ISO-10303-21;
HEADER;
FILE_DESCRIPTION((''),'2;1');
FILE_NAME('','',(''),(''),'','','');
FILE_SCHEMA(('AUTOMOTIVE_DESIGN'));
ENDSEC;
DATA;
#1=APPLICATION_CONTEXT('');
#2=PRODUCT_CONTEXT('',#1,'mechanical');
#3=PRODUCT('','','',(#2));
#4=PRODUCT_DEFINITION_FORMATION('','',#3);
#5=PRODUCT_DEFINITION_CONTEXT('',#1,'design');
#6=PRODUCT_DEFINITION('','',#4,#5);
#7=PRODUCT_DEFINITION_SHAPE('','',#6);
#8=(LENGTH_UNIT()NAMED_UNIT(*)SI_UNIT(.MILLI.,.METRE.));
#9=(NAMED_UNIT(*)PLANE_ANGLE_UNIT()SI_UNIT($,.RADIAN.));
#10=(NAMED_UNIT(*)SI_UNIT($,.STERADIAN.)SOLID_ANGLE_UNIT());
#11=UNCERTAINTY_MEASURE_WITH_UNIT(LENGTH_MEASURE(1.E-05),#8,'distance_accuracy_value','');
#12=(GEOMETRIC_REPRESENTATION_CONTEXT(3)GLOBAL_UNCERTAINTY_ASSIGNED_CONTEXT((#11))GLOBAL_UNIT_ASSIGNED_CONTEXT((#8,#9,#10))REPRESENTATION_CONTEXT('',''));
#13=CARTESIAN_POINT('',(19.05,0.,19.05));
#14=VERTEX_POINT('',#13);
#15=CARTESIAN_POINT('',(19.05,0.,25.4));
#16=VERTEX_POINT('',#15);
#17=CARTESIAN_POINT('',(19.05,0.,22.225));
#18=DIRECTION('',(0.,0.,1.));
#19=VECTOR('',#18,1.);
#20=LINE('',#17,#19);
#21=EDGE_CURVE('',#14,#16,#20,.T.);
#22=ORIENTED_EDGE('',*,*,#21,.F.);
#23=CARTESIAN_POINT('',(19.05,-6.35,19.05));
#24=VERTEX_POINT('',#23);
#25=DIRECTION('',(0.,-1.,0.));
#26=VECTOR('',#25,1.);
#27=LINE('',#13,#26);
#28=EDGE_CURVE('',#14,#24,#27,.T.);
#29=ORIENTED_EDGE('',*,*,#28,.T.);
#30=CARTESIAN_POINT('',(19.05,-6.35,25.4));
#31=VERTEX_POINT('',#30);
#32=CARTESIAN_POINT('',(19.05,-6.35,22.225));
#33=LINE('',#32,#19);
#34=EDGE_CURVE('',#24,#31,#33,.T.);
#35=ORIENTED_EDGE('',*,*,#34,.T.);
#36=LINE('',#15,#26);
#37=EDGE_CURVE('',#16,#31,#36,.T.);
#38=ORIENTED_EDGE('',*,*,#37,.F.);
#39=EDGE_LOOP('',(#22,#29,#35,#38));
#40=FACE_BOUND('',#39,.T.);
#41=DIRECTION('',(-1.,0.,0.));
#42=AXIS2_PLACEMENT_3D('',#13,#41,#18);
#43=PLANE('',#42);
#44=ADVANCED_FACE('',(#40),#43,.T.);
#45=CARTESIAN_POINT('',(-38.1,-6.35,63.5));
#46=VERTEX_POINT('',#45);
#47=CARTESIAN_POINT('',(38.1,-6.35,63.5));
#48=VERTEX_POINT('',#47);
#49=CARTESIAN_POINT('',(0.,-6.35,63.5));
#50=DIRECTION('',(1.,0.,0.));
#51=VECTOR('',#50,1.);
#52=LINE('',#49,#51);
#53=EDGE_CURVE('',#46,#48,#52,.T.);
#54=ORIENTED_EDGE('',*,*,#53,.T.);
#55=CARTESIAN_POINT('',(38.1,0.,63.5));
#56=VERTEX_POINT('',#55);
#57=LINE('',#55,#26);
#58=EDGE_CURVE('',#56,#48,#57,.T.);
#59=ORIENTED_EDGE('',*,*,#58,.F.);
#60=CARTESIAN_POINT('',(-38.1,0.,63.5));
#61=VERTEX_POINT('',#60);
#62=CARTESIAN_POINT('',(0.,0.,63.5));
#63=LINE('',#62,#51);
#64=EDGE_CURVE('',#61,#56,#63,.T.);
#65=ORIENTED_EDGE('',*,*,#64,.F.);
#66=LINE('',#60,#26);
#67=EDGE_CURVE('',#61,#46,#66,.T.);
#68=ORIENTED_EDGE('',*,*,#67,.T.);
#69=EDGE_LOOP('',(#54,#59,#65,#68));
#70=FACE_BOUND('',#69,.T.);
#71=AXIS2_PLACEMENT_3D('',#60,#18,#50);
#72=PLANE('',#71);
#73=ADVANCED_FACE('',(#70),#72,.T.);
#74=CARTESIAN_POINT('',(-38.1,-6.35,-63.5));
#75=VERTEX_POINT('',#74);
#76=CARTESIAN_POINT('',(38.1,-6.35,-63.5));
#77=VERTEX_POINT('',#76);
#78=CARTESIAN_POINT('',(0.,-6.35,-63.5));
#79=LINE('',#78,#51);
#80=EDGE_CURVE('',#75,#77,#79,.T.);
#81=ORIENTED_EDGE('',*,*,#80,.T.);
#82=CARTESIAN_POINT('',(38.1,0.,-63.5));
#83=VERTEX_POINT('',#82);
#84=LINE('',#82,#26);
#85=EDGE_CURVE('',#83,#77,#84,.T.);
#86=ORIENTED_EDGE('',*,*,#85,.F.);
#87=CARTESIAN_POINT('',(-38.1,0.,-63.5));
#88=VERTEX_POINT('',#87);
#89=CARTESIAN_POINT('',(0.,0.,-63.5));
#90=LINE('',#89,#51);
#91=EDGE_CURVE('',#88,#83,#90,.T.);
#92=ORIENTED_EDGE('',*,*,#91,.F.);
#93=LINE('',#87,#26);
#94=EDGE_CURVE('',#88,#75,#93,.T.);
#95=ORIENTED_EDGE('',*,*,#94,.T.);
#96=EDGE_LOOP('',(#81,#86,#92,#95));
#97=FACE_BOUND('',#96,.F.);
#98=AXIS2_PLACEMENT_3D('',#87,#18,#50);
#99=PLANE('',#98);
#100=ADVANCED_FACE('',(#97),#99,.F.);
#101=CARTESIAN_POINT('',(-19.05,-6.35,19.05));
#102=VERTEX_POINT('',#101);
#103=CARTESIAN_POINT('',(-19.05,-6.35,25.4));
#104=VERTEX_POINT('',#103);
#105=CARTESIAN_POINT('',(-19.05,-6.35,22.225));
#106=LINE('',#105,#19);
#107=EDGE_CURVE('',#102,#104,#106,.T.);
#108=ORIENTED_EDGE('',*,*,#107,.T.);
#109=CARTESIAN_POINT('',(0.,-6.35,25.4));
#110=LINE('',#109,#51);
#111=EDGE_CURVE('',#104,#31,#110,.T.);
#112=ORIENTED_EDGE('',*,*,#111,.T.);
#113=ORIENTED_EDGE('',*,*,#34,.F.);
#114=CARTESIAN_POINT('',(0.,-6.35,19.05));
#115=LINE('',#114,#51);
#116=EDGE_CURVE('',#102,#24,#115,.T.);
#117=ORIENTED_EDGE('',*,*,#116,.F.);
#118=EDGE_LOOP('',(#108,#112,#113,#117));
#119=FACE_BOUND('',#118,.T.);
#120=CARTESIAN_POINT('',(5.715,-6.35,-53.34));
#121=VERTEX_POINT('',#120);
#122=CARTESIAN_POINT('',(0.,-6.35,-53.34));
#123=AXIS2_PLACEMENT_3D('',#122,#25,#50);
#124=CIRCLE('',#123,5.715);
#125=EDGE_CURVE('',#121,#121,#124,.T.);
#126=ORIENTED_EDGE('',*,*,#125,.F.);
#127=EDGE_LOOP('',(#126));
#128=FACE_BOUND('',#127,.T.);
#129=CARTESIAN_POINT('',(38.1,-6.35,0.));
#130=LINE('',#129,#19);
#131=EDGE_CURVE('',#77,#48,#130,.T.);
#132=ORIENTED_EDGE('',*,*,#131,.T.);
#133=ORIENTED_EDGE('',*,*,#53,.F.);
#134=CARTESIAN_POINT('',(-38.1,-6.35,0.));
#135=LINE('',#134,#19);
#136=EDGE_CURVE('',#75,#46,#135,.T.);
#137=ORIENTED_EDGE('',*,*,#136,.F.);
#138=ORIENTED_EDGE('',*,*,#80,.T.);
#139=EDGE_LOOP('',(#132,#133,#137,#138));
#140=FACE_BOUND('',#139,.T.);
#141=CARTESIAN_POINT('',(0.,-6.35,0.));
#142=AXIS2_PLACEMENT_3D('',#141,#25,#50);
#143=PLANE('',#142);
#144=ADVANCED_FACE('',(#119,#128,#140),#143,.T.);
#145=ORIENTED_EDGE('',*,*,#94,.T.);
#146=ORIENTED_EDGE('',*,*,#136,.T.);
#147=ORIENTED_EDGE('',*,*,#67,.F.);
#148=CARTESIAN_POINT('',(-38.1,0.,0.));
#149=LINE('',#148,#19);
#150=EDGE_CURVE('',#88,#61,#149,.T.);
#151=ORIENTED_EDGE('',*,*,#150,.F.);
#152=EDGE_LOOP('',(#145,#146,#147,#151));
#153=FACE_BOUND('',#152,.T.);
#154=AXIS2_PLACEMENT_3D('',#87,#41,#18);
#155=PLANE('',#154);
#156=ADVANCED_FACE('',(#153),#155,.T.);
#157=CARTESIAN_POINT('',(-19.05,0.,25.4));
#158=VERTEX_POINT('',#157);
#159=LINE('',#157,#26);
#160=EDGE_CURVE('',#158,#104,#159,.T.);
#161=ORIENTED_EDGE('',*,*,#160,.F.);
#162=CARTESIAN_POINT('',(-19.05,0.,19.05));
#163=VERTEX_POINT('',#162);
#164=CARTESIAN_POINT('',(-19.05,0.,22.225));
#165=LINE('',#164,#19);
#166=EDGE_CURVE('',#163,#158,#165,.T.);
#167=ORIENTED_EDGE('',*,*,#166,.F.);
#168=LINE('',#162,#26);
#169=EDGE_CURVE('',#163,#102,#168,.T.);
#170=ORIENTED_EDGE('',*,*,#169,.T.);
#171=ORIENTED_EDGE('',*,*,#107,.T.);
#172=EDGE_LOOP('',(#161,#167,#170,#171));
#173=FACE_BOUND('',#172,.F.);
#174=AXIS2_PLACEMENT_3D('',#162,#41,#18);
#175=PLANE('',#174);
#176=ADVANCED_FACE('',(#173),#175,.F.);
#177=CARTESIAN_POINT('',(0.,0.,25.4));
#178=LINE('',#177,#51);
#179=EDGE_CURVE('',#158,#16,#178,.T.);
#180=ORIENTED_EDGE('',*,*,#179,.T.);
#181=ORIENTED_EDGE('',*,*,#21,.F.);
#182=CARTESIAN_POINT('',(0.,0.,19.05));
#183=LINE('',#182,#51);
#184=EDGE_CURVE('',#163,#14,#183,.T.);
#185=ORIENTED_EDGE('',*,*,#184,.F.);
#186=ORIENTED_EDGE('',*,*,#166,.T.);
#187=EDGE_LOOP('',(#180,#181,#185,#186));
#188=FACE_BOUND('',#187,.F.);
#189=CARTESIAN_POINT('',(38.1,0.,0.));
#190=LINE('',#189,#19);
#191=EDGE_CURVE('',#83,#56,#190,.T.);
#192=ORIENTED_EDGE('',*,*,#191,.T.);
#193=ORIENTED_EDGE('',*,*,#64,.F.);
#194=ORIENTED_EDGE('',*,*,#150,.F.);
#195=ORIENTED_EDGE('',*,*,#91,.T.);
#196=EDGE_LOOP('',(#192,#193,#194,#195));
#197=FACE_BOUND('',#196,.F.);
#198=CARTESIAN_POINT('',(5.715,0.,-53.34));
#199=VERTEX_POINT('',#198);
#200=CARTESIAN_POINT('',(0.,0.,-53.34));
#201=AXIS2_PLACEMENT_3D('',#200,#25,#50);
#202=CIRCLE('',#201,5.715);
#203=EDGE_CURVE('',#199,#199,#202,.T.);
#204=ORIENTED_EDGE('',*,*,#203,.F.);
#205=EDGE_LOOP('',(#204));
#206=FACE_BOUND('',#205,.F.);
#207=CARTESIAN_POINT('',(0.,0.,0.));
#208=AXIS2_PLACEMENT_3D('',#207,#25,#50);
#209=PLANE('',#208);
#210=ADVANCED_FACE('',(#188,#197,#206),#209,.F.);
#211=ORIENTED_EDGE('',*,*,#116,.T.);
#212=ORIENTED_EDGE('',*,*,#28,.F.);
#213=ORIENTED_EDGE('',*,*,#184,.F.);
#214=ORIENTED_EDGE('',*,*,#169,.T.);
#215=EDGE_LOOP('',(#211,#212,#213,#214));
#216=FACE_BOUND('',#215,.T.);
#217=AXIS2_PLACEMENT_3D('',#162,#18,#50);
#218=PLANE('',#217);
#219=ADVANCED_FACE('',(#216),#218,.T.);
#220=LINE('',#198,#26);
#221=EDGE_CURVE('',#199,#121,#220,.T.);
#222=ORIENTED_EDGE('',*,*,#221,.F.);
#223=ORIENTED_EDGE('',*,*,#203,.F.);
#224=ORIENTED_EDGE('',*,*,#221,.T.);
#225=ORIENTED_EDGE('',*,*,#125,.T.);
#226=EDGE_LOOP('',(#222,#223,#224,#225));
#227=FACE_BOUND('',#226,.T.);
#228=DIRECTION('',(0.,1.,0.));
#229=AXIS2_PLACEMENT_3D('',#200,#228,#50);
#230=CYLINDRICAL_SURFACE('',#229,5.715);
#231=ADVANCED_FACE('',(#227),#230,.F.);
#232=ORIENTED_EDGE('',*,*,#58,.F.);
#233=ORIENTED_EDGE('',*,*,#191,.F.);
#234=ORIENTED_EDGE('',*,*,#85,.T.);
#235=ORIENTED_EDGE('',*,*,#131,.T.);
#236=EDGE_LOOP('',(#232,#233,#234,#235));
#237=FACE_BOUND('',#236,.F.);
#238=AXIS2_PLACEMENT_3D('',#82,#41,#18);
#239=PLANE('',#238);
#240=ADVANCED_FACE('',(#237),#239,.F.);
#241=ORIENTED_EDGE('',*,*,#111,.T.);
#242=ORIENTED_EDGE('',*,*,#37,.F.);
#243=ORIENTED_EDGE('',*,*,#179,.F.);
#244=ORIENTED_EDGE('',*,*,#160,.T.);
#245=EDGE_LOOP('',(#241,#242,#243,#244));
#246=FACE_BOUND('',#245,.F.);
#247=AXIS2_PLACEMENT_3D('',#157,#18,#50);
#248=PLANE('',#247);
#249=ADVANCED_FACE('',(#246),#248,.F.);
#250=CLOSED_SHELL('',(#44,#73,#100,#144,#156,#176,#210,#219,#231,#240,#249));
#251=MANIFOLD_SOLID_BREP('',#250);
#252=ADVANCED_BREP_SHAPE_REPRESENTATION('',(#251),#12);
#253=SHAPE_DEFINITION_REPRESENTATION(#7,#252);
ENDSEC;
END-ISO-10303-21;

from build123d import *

# Parameters (mm, degrees)
F0_W     = 76.2
F0_H     = 127
F0_R     = 5.715
F0_W_2   = 38.1
F0_H_2   = 6.35
F1_DEPTH = 6.35


with BuildPart() as f1:
    # F0 (on Front) → F1 (new body)
    with BuildSketch(Plane.XZ):
        Rectangle(F0_W, F0_H)
        with Locations((0, -53.34)):
            Circle(F0_R, mode=Mode.SUBTRACT)
        with Locations((0, 22.225)):
            Rectangle(F0_W_2, F0_H_2, mode=Mode.SUBTRACT)
    extrude(amount=F1_DEPTH)


solid = f1.part
